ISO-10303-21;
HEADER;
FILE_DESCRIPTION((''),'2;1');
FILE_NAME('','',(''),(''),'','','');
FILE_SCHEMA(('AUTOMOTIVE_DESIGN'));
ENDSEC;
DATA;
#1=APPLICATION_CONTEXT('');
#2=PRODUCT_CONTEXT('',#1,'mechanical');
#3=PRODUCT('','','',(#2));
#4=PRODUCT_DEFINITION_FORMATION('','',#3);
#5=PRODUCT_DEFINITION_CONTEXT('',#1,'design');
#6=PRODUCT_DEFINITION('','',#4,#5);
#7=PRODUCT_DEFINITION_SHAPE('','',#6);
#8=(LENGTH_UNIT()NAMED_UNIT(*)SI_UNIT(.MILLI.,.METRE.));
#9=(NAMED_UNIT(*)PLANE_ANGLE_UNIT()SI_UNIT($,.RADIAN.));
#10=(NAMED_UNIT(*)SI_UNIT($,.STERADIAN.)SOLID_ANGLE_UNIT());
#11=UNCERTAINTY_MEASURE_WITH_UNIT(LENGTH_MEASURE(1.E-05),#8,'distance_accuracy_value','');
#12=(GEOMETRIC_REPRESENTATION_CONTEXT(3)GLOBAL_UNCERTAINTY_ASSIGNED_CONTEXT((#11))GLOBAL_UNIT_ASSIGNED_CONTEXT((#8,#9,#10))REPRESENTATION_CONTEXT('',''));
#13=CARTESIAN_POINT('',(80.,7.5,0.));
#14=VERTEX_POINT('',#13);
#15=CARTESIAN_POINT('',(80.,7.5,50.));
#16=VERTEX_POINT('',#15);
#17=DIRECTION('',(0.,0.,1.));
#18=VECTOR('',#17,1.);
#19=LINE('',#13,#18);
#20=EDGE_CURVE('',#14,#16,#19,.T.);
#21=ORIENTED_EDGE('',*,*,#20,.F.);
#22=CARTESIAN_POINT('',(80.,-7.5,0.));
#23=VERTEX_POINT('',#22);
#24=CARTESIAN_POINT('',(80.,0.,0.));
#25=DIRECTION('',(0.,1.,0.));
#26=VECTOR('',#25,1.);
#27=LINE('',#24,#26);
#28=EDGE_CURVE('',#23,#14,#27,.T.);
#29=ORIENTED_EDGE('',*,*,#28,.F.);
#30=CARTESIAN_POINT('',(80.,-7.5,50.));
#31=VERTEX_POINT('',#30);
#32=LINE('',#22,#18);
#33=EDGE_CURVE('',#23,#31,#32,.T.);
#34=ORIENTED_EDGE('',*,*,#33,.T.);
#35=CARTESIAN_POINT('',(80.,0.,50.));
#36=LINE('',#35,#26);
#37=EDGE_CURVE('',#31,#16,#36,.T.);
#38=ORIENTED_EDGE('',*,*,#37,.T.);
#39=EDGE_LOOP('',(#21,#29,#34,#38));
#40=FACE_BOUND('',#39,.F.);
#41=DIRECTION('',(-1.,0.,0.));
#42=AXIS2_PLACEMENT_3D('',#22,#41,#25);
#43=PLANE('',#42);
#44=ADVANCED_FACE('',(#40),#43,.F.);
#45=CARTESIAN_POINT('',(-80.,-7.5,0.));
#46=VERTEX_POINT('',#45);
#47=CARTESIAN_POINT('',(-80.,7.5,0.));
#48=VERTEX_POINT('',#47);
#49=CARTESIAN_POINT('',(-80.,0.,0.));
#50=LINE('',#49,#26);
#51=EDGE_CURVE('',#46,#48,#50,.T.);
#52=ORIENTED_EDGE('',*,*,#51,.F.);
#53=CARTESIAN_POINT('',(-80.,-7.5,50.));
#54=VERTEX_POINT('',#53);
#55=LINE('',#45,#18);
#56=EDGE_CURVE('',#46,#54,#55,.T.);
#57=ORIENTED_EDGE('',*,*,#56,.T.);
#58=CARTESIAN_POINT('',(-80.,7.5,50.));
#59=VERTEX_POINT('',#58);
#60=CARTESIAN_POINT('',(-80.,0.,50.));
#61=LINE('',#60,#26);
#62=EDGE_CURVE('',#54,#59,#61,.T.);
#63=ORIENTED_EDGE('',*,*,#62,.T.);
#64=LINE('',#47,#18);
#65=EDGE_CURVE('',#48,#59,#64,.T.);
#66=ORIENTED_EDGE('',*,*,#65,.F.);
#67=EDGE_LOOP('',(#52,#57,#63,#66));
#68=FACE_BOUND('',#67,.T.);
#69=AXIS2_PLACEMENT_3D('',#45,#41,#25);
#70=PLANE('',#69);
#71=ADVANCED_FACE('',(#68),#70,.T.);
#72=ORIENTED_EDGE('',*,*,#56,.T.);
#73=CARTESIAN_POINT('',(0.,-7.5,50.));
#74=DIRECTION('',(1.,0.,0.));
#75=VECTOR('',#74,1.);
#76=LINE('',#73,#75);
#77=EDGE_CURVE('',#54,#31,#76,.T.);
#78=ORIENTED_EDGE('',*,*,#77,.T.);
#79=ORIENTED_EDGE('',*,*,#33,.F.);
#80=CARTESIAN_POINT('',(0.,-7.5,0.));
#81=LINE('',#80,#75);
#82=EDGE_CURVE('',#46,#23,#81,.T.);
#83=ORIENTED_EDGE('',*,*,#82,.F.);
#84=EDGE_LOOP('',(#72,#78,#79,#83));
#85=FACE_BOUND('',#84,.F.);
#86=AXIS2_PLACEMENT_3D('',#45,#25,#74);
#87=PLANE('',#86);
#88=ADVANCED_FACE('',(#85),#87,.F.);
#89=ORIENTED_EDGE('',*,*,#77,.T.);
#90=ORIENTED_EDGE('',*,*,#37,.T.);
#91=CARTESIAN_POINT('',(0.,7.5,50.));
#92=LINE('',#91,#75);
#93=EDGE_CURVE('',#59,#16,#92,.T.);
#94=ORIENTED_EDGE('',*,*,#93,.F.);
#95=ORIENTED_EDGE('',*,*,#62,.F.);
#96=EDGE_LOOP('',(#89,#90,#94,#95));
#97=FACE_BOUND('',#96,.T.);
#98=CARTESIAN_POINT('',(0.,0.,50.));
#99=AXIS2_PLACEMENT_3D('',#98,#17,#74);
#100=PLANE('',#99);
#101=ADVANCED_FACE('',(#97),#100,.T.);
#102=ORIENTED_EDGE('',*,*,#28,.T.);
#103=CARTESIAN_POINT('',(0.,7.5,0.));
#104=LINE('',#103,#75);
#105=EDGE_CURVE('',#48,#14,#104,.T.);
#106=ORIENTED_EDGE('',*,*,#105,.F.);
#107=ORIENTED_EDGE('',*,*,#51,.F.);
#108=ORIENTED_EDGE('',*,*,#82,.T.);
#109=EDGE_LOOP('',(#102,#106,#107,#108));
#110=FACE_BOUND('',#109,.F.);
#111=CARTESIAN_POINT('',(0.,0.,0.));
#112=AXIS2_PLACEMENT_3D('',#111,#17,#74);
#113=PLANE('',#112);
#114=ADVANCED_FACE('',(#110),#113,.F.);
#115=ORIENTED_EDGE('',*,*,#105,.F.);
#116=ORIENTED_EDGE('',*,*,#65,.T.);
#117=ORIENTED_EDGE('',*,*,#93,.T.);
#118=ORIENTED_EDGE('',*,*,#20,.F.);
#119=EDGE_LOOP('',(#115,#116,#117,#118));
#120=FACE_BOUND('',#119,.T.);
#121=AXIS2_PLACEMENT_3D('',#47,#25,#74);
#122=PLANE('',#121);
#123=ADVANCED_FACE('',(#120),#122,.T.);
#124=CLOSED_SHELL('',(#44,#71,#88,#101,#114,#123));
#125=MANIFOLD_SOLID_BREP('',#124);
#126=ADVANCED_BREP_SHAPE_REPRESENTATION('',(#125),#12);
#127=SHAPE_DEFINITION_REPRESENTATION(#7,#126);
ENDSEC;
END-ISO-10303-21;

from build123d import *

# Parameters (mm, degrees)
SKETCH_W      = 160
SKETCH_H      = 15
EXTRUDE_DEPTH = 50


with BuildPart() as part:
    # Sketch → Extrude (new body)
    with BuildSketch(Plane.XY):
        Rectangle(SKETCH_W, SKETCH_H)
    extrude(amount=EXTRUDE_DEPTH)


solid = part.part
